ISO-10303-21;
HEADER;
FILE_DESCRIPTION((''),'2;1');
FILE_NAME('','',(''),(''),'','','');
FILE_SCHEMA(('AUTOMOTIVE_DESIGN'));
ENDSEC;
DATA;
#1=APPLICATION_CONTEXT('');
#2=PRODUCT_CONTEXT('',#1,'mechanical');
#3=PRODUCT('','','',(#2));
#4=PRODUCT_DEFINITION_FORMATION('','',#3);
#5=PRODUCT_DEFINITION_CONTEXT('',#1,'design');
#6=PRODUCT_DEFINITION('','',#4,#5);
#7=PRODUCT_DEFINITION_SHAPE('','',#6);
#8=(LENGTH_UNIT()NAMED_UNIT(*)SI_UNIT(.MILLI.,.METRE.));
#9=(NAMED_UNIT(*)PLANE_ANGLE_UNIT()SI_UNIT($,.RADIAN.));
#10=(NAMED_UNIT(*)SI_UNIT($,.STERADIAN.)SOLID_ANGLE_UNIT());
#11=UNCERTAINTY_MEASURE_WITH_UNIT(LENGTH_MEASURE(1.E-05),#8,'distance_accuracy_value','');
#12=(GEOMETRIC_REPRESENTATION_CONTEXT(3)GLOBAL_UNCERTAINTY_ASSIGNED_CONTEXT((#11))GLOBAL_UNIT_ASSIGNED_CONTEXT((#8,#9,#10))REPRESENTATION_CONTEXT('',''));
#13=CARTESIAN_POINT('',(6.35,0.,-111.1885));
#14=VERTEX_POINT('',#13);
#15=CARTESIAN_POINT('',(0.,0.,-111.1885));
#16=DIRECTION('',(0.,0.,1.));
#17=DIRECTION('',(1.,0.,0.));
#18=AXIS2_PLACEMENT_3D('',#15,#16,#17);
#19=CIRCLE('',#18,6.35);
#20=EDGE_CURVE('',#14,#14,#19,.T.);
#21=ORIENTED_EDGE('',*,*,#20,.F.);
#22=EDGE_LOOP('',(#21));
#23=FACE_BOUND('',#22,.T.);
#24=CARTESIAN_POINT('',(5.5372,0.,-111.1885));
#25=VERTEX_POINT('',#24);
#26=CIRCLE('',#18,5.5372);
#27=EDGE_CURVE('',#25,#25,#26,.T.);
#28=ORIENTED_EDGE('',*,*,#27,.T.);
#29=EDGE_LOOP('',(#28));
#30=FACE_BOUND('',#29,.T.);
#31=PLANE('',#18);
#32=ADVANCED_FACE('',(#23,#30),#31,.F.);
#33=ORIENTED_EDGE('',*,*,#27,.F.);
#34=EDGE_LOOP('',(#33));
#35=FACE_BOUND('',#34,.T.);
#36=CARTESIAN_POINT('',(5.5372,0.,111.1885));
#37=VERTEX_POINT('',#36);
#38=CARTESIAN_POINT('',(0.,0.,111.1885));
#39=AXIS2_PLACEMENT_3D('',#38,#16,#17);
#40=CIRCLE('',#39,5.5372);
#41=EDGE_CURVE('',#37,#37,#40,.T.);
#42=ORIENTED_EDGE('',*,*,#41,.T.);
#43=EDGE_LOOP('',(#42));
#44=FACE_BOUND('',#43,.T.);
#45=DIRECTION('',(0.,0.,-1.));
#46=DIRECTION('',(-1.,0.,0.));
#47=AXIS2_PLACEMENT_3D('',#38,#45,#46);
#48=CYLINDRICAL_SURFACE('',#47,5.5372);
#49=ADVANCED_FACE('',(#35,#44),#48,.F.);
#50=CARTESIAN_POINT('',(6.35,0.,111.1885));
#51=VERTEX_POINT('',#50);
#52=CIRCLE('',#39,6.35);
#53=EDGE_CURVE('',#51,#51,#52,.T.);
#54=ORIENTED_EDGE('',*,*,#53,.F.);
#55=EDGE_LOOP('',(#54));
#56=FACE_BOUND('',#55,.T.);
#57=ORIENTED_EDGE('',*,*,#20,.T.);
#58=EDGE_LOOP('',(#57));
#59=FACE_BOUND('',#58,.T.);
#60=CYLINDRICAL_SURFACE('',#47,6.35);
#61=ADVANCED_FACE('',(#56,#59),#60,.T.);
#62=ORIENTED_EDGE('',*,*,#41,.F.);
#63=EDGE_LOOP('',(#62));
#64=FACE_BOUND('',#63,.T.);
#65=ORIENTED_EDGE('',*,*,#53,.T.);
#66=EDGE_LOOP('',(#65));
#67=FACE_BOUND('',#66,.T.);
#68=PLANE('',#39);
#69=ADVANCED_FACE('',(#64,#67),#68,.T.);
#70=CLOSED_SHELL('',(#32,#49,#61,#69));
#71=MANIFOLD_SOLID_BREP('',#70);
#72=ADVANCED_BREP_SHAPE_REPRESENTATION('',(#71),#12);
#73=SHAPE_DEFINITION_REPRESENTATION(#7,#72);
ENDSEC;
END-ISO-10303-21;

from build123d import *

# Parameters (mm, degrees)
SKETCH2_R           = 6.35
SKETCH2_R_2         = 5.5372
BOSS_EXTRUDE1_DEPTH = 111.1885


with BuildPart() as part:
    # Sketch2 → Boss-Extrude1 (new, symmetric)
    with BuildSketch(Plane.XY):
        Circle(SKETCH2_R)
        Circle(SKETCH2_R_2, mode=Mode.SUBTRACT)
    extrude(amount=BOSS_EXTRUDE1_DEPTH, both=True)


solid = part.part
